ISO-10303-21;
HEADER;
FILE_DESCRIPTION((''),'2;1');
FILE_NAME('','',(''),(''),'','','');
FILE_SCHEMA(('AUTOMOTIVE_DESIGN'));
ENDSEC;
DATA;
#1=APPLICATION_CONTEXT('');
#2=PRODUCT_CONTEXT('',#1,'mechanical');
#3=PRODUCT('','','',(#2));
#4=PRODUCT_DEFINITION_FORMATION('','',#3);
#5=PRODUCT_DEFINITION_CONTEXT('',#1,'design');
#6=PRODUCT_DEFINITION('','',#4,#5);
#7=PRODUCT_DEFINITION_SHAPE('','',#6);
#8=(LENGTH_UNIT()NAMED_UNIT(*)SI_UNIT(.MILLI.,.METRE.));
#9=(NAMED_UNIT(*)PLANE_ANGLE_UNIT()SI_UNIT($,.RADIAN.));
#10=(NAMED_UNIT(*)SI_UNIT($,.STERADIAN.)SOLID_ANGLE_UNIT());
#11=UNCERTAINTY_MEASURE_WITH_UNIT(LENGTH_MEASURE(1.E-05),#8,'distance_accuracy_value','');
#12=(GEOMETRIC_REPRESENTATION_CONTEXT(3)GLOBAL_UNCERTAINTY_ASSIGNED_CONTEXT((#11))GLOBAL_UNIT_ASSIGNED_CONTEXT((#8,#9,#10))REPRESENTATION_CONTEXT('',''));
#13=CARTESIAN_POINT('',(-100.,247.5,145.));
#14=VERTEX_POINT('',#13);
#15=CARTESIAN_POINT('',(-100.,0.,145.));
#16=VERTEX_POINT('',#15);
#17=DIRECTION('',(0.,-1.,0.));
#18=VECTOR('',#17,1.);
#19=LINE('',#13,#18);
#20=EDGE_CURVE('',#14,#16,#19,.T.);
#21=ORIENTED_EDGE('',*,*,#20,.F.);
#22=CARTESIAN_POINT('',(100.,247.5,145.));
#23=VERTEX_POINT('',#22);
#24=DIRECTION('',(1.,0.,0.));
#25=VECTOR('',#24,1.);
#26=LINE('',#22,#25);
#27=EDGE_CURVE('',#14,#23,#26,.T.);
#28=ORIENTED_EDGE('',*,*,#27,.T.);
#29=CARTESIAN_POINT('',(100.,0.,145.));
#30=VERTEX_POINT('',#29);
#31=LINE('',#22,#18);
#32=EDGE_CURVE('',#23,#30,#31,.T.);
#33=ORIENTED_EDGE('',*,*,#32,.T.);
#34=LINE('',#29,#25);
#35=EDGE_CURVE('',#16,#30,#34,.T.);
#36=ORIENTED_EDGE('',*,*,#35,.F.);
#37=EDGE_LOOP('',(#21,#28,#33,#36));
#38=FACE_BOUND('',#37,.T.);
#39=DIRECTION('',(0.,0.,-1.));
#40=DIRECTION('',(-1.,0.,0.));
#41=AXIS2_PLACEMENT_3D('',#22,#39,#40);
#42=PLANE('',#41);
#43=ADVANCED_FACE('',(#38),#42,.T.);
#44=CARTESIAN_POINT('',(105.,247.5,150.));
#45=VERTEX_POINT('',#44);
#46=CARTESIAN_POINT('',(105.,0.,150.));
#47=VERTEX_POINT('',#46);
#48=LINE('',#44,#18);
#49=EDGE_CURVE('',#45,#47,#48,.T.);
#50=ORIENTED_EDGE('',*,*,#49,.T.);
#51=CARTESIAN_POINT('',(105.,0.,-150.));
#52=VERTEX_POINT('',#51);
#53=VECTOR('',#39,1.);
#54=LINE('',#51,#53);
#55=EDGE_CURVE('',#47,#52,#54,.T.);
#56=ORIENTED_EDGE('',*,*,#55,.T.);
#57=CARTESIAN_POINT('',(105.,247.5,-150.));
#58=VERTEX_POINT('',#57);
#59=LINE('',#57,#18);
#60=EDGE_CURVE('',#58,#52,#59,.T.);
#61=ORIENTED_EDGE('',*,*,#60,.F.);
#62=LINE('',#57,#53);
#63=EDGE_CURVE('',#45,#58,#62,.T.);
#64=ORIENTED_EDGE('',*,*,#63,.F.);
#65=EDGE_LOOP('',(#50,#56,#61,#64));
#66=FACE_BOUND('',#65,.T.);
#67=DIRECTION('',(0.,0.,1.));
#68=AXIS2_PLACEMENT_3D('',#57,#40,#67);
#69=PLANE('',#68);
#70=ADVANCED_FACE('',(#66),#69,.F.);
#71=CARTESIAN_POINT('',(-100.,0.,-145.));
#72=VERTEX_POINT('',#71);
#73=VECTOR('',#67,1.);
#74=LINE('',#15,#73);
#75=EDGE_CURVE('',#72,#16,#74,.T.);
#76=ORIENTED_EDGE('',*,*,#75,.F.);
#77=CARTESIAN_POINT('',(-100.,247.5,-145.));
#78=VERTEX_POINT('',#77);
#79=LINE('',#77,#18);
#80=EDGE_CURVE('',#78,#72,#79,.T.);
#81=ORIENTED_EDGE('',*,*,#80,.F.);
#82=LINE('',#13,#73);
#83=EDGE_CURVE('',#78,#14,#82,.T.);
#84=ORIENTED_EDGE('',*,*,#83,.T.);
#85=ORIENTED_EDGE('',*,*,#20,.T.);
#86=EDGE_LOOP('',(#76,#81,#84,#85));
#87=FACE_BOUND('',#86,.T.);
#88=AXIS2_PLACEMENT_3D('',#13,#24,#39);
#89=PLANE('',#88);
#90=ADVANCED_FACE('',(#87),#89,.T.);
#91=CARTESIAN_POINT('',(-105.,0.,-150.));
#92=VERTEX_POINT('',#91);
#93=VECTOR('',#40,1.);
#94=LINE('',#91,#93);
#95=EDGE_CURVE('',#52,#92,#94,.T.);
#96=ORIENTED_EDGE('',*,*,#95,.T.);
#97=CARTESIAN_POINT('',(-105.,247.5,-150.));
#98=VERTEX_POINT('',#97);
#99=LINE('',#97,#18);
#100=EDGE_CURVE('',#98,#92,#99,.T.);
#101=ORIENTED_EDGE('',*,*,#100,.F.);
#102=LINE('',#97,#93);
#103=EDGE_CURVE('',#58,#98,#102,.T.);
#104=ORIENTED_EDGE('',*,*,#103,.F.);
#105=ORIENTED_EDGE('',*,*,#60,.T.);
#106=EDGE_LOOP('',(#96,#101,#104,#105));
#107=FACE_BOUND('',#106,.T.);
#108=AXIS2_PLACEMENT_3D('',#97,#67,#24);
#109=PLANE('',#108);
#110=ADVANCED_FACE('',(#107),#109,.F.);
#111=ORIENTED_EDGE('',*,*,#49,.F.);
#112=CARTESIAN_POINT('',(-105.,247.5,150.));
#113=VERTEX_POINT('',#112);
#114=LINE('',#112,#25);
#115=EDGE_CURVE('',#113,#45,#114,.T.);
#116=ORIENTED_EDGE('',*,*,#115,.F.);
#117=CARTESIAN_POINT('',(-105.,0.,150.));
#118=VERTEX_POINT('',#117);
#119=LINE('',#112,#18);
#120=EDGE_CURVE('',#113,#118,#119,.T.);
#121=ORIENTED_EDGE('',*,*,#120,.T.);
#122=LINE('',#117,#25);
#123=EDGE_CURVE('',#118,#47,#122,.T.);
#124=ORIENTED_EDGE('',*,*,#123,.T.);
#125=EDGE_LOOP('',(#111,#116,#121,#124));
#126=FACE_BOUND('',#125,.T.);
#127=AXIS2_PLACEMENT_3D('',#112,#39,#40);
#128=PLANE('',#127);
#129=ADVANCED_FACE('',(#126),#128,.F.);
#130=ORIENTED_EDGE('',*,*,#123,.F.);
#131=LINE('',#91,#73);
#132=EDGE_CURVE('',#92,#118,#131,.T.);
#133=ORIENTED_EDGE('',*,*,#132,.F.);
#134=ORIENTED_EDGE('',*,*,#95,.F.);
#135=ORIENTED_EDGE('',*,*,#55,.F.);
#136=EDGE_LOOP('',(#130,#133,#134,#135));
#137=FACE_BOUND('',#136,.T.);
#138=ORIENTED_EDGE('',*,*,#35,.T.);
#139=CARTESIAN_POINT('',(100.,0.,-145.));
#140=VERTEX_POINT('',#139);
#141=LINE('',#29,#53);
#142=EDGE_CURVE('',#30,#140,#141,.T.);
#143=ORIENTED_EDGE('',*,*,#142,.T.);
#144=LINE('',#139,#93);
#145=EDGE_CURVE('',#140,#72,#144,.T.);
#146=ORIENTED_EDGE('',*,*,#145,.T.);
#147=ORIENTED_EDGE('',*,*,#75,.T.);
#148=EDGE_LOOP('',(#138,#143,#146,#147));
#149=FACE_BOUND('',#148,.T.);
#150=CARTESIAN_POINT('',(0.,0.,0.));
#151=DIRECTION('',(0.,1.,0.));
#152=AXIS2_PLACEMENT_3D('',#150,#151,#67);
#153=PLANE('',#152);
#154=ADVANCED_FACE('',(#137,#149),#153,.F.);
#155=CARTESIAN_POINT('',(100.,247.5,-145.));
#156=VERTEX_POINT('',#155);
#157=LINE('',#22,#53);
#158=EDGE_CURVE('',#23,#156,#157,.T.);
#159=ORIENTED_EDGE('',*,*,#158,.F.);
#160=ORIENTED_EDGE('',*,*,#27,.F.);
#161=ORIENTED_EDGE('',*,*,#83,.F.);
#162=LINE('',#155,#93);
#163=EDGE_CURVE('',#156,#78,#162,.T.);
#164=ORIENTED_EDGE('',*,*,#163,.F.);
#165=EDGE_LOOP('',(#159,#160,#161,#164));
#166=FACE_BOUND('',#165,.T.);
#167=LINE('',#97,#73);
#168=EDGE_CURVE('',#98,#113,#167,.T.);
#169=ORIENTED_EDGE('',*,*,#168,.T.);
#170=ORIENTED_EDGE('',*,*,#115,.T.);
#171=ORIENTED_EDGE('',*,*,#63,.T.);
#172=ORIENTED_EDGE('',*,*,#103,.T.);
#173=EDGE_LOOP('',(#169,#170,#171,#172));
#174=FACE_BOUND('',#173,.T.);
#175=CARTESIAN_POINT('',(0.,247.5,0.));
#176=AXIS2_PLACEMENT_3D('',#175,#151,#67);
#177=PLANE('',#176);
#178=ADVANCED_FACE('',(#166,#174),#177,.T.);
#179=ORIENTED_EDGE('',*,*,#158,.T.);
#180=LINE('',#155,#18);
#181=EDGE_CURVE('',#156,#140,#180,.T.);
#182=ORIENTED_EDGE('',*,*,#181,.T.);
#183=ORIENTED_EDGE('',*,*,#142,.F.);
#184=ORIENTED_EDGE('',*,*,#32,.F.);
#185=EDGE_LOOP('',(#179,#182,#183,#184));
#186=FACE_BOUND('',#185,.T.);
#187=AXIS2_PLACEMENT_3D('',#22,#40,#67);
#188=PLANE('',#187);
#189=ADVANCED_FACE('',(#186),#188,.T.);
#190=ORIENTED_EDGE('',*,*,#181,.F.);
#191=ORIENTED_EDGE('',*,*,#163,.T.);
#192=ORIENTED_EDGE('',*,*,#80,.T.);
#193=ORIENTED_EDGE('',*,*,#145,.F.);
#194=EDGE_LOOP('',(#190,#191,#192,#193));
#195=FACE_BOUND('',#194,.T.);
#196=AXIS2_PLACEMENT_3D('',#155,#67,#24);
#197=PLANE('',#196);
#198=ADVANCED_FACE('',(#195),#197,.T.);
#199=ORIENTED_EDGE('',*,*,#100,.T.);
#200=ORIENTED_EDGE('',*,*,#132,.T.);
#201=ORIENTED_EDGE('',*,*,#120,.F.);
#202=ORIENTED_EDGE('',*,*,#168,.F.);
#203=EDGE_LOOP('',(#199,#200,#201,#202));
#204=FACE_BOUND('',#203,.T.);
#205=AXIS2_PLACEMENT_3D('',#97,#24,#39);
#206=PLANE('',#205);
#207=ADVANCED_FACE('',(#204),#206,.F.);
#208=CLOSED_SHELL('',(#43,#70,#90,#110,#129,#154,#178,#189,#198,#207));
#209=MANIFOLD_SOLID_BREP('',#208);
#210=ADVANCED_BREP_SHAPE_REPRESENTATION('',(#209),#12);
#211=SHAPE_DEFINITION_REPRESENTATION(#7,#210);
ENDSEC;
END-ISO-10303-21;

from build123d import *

# Parameters (mm, degrees)
SKETCH_1_W      = 210
SKETCH_1_H      = 300
SKETCH_1_W_2    = 200
SKETCH_1_H_2    = 290
EXTRUDE_1_DEPTH = 247.5


with BuildPart() as part:
    # 草图1 → 凸台-拉伸1 (new body)
    with BuildSketch(Plane(origin=(0, 0, 0), x_dir=(1, 0, 0), z_dir=(0, 1, 0))):
        Rectangle(SKETCH_1_W, SKETCH_1_H)
        Rectangle(SKETCH_1_W_2, SKETCH_1_H_2, mode=Mode.SUBTRACT)
    extrude(amount=EXTRUDE_1_DEPTH)


solid = part.part
